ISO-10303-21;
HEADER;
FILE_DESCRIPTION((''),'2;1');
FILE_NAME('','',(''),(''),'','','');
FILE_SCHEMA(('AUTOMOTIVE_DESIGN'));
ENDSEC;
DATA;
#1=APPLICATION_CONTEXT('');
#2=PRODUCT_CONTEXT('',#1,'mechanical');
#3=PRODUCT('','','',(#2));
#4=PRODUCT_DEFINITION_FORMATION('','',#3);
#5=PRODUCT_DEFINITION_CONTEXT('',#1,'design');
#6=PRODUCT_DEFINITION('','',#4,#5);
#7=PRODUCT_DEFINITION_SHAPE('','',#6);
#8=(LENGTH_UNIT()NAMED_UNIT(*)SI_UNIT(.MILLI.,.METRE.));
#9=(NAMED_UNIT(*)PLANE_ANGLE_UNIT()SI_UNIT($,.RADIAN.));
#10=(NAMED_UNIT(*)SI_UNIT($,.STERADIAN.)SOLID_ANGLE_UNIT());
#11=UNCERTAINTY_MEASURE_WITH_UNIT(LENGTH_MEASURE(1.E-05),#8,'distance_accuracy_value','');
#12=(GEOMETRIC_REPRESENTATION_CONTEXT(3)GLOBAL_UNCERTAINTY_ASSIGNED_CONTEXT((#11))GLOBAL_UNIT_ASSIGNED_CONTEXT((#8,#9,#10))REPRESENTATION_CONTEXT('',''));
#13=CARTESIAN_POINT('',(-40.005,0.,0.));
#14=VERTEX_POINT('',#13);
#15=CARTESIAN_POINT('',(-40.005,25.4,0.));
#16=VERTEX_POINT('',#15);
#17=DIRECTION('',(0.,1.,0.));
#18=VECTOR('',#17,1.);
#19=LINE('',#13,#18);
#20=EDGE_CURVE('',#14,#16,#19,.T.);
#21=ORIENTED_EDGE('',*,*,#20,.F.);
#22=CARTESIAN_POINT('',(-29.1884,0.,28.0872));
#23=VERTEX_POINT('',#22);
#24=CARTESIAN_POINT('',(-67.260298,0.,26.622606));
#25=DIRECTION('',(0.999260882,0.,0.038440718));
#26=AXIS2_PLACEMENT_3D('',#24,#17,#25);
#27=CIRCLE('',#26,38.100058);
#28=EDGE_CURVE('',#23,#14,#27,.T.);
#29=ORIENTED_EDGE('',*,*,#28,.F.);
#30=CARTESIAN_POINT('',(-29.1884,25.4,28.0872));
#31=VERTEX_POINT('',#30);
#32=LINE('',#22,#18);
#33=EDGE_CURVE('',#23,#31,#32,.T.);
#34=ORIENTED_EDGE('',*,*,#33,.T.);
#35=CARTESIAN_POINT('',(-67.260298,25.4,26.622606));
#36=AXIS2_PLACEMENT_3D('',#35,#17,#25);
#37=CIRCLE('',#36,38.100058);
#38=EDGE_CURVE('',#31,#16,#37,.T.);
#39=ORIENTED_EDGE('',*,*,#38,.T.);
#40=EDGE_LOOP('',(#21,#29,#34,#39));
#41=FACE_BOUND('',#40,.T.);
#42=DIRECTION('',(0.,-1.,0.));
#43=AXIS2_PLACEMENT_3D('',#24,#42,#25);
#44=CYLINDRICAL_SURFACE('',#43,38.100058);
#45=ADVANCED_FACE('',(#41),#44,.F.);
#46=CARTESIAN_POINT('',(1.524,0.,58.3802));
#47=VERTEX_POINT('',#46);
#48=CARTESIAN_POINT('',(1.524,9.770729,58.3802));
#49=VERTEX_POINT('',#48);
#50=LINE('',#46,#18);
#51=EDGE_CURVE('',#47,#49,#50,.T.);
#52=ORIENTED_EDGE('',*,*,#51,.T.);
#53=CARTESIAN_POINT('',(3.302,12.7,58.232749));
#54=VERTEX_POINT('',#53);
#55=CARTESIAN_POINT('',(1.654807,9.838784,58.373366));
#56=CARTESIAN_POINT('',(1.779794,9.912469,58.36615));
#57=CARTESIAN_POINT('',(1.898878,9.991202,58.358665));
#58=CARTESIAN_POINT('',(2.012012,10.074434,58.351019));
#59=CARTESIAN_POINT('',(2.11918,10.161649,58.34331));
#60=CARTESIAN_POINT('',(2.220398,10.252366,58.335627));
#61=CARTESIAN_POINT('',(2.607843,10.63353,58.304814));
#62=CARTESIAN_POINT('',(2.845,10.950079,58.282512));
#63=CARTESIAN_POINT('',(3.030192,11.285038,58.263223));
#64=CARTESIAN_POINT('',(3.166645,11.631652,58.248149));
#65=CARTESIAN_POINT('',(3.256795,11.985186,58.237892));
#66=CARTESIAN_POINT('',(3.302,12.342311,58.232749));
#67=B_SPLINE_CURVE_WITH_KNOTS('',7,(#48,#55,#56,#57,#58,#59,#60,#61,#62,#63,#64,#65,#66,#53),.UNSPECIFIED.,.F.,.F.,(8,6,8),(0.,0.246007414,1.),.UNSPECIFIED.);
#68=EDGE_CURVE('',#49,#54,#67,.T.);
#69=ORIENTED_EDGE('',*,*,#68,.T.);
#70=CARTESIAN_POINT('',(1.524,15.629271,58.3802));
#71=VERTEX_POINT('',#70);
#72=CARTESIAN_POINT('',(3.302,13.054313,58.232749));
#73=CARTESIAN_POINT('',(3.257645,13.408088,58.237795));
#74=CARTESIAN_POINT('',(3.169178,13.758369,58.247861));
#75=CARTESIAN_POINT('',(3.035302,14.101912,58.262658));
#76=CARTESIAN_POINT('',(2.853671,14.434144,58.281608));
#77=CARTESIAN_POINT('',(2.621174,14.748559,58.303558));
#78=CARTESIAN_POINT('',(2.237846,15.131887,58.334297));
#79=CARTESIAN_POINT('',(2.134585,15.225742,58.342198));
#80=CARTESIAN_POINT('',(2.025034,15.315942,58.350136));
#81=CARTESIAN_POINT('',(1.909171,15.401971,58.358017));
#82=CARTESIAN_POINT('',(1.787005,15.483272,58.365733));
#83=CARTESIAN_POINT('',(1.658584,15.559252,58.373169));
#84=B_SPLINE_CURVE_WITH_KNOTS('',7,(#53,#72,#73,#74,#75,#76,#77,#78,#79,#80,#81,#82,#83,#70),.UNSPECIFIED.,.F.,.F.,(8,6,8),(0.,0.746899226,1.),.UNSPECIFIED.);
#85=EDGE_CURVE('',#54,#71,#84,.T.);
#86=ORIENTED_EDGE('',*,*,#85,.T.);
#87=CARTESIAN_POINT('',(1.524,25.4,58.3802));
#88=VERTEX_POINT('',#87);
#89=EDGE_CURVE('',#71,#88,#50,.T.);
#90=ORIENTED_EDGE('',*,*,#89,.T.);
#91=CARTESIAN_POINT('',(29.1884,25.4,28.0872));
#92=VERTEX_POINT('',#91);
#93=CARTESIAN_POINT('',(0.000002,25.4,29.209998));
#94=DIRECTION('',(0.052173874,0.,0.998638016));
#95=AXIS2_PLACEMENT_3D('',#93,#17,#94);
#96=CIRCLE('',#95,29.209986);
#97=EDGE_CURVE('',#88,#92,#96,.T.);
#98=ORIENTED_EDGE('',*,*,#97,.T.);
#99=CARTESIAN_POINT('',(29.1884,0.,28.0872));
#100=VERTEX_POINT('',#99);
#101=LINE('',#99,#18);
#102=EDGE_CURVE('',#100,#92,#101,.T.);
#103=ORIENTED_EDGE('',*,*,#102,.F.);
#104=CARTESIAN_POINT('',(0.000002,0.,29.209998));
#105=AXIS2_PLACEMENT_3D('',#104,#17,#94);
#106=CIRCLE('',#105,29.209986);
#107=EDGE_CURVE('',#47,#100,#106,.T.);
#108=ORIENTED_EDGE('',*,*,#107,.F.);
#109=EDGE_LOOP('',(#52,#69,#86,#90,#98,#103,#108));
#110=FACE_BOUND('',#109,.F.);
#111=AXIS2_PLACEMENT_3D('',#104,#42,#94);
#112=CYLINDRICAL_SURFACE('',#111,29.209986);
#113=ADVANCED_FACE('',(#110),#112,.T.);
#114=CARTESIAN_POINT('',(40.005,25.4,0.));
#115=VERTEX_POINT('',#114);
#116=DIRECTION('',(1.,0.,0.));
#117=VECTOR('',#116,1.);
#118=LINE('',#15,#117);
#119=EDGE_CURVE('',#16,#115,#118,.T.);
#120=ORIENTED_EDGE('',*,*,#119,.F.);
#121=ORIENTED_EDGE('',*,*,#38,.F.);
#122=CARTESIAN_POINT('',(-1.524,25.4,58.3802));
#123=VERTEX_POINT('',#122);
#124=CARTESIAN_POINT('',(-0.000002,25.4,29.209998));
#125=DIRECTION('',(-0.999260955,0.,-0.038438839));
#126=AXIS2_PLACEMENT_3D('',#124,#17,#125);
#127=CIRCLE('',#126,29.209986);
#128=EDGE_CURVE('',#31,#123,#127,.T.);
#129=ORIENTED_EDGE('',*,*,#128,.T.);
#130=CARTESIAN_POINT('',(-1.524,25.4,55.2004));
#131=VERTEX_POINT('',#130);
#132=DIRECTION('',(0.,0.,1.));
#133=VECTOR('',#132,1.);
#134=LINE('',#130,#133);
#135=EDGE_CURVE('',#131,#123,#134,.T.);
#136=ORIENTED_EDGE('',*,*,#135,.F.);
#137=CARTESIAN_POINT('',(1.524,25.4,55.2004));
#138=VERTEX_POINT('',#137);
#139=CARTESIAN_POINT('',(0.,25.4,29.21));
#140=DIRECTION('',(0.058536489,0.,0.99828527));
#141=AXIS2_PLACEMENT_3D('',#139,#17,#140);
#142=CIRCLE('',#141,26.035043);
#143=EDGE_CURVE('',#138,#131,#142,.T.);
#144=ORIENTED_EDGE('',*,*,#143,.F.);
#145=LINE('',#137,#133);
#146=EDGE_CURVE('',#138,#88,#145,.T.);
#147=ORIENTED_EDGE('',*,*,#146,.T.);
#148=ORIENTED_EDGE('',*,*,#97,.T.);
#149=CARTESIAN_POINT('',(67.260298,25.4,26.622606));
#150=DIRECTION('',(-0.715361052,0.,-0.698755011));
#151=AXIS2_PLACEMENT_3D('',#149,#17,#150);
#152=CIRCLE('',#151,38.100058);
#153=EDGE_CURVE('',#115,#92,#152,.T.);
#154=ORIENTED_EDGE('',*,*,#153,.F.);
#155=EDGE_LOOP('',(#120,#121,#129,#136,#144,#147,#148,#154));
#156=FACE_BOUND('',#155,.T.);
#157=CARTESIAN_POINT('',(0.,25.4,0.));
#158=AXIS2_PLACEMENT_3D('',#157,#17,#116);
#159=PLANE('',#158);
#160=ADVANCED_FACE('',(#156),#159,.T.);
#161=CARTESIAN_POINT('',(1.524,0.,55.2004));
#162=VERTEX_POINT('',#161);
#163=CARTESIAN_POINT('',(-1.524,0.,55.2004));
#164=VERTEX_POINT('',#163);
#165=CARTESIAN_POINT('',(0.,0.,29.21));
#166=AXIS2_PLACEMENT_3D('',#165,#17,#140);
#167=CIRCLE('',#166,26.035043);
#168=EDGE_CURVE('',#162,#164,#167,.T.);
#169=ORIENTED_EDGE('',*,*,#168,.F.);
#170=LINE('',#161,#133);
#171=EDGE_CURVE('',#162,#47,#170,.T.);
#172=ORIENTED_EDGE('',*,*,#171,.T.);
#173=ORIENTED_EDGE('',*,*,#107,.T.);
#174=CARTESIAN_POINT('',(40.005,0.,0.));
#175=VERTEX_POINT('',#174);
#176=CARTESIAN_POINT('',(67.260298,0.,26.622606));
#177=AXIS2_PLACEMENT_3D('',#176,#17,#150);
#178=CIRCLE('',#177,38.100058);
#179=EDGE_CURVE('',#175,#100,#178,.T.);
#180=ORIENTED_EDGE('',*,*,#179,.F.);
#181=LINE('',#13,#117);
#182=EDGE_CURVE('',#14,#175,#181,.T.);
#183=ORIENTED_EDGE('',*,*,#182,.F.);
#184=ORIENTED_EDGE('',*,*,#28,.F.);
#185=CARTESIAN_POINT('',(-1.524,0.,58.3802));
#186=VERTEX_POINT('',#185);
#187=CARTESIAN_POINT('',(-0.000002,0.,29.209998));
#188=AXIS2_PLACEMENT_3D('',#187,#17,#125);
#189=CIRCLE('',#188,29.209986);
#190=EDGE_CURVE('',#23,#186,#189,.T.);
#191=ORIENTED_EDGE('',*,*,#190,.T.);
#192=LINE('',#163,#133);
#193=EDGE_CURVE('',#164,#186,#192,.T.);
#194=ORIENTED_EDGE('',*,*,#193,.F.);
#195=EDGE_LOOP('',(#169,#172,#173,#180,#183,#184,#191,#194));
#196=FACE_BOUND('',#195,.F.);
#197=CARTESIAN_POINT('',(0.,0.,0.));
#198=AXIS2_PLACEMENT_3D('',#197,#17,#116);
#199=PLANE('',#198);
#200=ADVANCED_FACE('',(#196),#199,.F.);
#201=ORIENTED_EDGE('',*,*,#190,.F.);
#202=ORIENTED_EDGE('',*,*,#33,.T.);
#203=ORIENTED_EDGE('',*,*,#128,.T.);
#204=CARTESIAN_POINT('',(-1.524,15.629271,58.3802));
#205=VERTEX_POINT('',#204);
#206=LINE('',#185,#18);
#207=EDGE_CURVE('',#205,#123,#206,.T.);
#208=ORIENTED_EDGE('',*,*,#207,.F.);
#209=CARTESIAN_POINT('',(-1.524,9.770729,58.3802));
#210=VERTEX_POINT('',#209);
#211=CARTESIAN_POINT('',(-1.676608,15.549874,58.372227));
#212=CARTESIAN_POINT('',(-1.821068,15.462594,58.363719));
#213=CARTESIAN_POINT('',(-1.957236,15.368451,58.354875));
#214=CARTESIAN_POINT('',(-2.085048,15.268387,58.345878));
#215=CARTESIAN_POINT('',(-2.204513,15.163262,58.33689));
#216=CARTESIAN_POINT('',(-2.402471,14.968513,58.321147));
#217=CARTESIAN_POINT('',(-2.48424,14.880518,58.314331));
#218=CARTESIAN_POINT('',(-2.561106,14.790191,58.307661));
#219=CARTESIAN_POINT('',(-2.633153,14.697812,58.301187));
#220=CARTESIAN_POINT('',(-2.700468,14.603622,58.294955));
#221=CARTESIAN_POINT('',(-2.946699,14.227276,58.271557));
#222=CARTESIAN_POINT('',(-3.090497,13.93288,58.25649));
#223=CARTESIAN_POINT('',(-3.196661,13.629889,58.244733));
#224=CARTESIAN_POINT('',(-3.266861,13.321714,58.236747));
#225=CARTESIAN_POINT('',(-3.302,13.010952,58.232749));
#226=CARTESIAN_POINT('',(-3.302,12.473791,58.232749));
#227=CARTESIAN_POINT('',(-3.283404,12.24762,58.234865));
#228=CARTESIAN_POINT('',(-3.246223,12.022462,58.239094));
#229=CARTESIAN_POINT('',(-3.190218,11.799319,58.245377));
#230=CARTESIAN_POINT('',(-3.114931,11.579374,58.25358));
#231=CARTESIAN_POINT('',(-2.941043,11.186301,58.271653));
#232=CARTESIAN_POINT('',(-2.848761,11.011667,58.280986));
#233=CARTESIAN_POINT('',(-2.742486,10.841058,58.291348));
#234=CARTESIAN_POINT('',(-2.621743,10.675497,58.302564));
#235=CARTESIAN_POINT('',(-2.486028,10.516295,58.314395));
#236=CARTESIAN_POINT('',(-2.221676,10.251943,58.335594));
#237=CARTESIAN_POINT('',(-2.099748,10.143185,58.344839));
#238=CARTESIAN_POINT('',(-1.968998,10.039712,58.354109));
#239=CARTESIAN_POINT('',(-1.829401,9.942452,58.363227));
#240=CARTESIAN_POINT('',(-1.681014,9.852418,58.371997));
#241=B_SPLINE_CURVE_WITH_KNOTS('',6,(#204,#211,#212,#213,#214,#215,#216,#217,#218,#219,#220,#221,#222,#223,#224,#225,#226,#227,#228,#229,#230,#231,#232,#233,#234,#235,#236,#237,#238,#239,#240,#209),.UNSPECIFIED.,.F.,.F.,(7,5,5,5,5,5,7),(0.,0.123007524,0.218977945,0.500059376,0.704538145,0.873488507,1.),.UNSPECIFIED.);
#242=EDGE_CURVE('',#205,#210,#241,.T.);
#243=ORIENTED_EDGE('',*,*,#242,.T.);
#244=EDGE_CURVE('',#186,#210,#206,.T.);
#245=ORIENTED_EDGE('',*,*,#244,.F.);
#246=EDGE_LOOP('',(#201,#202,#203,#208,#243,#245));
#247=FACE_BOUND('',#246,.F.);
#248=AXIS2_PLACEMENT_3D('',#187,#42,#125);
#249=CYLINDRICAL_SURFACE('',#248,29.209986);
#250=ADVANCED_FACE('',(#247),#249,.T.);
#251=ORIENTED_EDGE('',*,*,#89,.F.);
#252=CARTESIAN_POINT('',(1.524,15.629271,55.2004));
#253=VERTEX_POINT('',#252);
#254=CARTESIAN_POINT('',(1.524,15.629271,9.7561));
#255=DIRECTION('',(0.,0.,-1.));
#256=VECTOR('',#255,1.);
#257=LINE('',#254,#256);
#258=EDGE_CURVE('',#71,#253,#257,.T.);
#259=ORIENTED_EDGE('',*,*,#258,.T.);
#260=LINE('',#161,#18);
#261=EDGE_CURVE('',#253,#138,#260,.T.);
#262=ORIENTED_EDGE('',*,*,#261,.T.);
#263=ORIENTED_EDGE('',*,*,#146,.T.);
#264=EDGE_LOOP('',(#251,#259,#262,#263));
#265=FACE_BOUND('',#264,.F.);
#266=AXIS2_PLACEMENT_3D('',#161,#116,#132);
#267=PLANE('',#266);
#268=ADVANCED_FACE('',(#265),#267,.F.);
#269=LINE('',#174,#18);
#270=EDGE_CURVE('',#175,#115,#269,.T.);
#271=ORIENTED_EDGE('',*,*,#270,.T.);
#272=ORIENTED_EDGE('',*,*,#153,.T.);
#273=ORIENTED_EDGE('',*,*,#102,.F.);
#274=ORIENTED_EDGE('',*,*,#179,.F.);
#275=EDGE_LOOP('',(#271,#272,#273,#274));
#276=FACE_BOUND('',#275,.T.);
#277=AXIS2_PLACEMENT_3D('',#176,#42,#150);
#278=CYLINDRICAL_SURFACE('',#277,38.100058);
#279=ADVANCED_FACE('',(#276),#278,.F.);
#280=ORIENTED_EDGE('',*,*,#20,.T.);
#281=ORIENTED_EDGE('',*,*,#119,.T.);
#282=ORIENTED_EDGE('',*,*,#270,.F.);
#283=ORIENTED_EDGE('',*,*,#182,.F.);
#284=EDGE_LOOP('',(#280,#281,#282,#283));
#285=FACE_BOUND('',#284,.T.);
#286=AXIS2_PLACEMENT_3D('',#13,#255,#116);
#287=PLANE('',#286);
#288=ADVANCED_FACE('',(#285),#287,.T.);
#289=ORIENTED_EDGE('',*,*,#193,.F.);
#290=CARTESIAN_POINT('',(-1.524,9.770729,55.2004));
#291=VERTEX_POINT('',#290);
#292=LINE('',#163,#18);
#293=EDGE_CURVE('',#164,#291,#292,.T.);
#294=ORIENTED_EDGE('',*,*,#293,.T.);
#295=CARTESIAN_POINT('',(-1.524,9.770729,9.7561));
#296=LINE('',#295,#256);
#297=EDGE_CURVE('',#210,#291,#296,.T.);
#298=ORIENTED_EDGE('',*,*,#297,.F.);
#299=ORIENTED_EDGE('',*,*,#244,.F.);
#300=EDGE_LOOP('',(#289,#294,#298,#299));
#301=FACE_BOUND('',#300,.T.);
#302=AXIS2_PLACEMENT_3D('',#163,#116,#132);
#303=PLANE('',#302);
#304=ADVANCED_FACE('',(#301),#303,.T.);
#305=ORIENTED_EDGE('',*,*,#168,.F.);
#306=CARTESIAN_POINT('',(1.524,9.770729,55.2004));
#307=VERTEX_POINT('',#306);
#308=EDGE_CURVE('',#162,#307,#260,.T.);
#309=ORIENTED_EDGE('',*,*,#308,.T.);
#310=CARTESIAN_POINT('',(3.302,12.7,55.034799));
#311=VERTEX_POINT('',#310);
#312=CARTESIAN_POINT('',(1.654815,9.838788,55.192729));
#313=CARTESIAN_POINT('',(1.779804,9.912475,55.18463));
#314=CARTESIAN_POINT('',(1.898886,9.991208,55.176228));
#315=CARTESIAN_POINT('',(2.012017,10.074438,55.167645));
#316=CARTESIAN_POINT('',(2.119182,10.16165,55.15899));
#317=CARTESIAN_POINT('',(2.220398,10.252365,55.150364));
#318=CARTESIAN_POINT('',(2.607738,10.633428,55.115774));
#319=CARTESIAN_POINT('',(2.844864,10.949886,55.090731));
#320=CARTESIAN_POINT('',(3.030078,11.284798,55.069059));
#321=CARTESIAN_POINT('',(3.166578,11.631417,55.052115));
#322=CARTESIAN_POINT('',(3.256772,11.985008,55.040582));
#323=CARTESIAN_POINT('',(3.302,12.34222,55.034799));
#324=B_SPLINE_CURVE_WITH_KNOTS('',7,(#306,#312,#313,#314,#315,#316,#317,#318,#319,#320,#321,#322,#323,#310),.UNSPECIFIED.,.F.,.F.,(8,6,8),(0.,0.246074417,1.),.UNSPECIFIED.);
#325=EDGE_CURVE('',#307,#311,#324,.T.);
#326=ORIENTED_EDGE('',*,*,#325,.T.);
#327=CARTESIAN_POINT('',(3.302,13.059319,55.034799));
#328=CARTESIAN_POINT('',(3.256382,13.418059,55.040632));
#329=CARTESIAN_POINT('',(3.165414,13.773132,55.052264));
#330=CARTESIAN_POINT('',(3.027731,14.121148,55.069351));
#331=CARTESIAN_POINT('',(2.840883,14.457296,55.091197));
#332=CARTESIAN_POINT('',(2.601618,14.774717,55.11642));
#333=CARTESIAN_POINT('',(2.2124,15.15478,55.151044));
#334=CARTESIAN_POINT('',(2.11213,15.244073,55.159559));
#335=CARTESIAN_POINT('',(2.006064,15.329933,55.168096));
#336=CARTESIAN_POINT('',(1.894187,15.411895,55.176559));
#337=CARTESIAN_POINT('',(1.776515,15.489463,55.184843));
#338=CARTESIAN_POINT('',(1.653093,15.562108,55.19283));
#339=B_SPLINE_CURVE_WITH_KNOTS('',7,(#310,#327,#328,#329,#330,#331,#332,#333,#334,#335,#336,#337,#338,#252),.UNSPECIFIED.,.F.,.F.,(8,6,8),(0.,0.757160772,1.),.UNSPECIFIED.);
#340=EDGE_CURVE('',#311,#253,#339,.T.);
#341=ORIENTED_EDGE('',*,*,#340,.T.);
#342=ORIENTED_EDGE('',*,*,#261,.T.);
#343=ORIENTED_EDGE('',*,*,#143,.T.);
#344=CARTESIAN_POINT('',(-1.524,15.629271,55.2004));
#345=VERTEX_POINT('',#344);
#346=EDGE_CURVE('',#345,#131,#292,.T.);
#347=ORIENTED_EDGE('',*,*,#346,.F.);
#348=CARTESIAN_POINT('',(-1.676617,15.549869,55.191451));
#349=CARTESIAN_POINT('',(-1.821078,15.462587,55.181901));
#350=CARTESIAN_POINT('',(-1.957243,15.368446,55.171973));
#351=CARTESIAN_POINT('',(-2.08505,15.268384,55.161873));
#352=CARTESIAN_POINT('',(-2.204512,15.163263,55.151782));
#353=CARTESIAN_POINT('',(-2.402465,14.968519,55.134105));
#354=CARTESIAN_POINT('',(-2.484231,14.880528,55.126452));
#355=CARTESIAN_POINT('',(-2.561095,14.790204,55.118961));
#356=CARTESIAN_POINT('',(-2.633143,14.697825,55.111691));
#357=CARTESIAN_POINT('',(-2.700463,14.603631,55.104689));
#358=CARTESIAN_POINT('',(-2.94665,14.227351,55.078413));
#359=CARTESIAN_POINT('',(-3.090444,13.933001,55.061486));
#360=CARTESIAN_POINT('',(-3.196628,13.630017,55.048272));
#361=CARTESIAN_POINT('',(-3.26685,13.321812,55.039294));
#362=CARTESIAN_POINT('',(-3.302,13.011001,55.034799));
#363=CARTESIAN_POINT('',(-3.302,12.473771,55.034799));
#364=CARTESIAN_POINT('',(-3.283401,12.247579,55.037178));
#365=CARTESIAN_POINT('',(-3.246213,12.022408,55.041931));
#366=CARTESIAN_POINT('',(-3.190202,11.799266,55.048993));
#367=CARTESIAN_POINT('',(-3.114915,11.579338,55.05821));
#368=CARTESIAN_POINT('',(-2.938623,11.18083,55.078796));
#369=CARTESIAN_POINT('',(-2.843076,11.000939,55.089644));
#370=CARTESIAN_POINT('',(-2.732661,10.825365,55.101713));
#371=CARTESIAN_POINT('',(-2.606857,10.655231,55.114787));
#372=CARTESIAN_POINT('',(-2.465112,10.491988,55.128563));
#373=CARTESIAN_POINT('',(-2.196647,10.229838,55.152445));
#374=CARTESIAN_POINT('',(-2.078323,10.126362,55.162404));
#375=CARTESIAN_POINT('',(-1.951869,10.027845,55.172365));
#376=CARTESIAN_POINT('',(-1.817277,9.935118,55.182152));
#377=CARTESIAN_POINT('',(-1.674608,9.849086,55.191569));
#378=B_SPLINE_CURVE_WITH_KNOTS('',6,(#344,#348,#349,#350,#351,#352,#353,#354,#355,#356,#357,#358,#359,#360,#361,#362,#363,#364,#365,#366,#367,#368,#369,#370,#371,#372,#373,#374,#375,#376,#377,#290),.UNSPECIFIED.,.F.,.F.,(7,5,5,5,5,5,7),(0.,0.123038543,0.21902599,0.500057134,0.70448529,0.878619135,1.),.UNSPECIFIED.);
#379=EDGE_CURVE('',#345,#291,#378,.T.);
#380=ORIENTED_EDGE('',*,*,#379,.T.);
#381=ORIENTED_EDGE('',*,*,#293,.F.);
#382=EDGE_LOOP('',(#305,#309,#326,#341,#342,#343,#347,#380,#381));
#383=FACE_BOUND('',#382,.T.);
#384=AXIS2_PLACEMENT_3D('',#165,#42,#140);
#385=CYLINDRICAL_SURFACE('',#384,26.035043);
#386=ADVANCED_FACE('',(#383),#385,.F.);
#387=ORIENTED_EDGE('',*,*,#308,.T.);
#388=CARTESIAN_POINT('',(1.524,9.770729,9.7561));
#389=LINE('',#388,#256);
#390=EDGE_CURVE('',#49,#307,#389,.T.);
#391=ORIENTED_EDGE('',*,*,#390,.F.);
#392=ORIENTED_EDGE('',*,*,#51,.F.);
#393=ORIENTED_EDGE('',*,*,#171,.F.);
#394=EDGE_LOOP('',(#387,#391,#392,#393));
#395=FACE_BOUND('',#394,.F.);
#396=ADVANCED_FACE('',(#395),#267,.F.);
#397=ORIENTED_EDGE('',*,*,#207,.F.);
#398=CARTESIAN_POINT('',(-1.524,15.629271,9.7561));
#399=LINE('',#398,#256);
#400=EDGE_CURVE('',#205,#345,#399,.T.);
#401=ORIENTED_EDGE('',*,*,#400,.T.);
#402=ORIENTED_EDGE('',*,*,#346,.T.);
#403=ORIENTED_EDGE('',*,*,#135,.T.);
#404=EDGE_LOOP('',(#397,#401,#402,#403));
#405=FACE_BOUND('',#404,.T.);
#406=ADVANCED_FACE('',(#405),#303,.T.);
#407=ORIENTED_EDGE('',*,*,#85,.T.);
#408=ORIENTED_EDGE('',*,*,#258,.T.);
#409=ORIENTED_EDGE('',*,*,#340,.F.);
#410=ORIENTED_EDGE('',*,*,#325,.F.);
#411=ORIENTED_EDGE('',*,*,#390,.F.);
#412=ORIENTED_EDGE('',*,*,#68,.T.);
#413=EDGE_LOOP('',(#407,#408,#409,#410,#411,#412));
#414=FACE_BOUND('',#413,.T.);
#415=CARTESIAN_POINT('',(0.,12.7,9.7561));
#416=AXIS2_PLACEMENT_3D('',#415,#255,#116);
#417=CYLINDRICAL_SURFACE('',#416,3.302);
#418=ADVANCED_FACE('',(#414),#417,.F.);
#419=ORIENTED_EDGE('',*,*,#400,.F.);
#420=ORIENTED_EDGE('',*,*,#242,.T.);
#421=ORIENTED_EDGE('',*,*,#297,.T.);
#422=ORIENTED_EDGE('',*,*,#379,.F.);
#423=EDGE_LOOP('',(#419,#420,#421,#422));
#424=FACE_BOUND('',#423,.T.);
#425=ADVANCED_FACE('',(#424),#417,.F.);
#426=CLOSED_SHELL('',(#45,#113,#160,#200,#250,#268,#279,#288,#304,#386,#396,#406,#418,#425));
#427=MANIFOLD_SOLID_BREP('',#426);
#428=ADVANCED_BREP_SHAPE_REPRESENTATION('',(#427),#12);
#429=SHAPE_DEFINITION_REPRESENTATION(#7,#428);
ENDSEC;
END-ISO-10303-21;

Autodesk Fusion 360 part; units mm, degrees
sketch "Sketch1" plane through (0, 0, 0) normal (0, 1, 0) x (1, 0, 0)
  line L0 (-40.005, 0) -> (40.005, 0)
  line L1 (0, -29.21) -> (0, 0) construction
  line L2 (-1.524, -55.2004) -> (-1.524, -58.3802)
  line L3 (1.524, -55.2004) -> (1.524, -58.3802)
  line L4 (-1.524, -56.7903) -> (1.524, -56.7903) construction
  arc A0 (1.524, -55.2004) -> (-1.524, -55.2004) centre (0, -29.21) ccw
  arc A1 (40.005, 0) -> (29.1884, -28.0872) centre (67.2603, -26.6226) ccw
  arc A2 (-29.1884, -28.0872) -> (-40.005, 0) centre (-67.2603, -26.6226) ccw
  arc A3 (1.524, -58.3802) -> (29.1884, -28.0872) centre (0, -29.21) ccw
  arc A4 (-29.1884, -28.0872) -> (-1.524, -58.3802) centre (0, -29.21) ccw
  dimension "d1" = 52.07
  dimension "d2" = 29.21
  dimension "d3" = 80.01
  dimension "d4" = 58.42
  dimension "d5" = 3.048
  dimension "d7" = 38.1
extrude "Extrude1" add sketch "Sketch1" along normal blind 25.4
sketch "Sketch2" plane through (0, 0, 0) normal (0, 0, 1) x (1, 0, 0)
  circle A0 centre (0, 12.7) radius 3.302
  line L0 (-1.524, 25.4) -> (-29.21, 25.4)
  line L1 (-1.524, 0) -> (-29.21, 0)
  line L2 (-5.6643, 25.4) -> (-5.6643, 0) construction
  line L3 (-5.6643, 12.7) -> (0, 12.7) construction
  line L4 (1.524, 0) -> (1.524, 25.4) construction
  line L5 (-1.524, 0) -> (-1.524, 25.4) construction
  line L6 (0, 12.7) -> (0, 14.224) construction
  line L7 (0, 14.224) -> (-1.524, 14.224) construction
  line L8 (0, 14.224) -> (1.524, 14.224) construction
  dimension "d10" = 6.604
extrude "Extrude2" cut sketch "Sketch2" along normal blind 65.6387 and the other way blind -9.7561
